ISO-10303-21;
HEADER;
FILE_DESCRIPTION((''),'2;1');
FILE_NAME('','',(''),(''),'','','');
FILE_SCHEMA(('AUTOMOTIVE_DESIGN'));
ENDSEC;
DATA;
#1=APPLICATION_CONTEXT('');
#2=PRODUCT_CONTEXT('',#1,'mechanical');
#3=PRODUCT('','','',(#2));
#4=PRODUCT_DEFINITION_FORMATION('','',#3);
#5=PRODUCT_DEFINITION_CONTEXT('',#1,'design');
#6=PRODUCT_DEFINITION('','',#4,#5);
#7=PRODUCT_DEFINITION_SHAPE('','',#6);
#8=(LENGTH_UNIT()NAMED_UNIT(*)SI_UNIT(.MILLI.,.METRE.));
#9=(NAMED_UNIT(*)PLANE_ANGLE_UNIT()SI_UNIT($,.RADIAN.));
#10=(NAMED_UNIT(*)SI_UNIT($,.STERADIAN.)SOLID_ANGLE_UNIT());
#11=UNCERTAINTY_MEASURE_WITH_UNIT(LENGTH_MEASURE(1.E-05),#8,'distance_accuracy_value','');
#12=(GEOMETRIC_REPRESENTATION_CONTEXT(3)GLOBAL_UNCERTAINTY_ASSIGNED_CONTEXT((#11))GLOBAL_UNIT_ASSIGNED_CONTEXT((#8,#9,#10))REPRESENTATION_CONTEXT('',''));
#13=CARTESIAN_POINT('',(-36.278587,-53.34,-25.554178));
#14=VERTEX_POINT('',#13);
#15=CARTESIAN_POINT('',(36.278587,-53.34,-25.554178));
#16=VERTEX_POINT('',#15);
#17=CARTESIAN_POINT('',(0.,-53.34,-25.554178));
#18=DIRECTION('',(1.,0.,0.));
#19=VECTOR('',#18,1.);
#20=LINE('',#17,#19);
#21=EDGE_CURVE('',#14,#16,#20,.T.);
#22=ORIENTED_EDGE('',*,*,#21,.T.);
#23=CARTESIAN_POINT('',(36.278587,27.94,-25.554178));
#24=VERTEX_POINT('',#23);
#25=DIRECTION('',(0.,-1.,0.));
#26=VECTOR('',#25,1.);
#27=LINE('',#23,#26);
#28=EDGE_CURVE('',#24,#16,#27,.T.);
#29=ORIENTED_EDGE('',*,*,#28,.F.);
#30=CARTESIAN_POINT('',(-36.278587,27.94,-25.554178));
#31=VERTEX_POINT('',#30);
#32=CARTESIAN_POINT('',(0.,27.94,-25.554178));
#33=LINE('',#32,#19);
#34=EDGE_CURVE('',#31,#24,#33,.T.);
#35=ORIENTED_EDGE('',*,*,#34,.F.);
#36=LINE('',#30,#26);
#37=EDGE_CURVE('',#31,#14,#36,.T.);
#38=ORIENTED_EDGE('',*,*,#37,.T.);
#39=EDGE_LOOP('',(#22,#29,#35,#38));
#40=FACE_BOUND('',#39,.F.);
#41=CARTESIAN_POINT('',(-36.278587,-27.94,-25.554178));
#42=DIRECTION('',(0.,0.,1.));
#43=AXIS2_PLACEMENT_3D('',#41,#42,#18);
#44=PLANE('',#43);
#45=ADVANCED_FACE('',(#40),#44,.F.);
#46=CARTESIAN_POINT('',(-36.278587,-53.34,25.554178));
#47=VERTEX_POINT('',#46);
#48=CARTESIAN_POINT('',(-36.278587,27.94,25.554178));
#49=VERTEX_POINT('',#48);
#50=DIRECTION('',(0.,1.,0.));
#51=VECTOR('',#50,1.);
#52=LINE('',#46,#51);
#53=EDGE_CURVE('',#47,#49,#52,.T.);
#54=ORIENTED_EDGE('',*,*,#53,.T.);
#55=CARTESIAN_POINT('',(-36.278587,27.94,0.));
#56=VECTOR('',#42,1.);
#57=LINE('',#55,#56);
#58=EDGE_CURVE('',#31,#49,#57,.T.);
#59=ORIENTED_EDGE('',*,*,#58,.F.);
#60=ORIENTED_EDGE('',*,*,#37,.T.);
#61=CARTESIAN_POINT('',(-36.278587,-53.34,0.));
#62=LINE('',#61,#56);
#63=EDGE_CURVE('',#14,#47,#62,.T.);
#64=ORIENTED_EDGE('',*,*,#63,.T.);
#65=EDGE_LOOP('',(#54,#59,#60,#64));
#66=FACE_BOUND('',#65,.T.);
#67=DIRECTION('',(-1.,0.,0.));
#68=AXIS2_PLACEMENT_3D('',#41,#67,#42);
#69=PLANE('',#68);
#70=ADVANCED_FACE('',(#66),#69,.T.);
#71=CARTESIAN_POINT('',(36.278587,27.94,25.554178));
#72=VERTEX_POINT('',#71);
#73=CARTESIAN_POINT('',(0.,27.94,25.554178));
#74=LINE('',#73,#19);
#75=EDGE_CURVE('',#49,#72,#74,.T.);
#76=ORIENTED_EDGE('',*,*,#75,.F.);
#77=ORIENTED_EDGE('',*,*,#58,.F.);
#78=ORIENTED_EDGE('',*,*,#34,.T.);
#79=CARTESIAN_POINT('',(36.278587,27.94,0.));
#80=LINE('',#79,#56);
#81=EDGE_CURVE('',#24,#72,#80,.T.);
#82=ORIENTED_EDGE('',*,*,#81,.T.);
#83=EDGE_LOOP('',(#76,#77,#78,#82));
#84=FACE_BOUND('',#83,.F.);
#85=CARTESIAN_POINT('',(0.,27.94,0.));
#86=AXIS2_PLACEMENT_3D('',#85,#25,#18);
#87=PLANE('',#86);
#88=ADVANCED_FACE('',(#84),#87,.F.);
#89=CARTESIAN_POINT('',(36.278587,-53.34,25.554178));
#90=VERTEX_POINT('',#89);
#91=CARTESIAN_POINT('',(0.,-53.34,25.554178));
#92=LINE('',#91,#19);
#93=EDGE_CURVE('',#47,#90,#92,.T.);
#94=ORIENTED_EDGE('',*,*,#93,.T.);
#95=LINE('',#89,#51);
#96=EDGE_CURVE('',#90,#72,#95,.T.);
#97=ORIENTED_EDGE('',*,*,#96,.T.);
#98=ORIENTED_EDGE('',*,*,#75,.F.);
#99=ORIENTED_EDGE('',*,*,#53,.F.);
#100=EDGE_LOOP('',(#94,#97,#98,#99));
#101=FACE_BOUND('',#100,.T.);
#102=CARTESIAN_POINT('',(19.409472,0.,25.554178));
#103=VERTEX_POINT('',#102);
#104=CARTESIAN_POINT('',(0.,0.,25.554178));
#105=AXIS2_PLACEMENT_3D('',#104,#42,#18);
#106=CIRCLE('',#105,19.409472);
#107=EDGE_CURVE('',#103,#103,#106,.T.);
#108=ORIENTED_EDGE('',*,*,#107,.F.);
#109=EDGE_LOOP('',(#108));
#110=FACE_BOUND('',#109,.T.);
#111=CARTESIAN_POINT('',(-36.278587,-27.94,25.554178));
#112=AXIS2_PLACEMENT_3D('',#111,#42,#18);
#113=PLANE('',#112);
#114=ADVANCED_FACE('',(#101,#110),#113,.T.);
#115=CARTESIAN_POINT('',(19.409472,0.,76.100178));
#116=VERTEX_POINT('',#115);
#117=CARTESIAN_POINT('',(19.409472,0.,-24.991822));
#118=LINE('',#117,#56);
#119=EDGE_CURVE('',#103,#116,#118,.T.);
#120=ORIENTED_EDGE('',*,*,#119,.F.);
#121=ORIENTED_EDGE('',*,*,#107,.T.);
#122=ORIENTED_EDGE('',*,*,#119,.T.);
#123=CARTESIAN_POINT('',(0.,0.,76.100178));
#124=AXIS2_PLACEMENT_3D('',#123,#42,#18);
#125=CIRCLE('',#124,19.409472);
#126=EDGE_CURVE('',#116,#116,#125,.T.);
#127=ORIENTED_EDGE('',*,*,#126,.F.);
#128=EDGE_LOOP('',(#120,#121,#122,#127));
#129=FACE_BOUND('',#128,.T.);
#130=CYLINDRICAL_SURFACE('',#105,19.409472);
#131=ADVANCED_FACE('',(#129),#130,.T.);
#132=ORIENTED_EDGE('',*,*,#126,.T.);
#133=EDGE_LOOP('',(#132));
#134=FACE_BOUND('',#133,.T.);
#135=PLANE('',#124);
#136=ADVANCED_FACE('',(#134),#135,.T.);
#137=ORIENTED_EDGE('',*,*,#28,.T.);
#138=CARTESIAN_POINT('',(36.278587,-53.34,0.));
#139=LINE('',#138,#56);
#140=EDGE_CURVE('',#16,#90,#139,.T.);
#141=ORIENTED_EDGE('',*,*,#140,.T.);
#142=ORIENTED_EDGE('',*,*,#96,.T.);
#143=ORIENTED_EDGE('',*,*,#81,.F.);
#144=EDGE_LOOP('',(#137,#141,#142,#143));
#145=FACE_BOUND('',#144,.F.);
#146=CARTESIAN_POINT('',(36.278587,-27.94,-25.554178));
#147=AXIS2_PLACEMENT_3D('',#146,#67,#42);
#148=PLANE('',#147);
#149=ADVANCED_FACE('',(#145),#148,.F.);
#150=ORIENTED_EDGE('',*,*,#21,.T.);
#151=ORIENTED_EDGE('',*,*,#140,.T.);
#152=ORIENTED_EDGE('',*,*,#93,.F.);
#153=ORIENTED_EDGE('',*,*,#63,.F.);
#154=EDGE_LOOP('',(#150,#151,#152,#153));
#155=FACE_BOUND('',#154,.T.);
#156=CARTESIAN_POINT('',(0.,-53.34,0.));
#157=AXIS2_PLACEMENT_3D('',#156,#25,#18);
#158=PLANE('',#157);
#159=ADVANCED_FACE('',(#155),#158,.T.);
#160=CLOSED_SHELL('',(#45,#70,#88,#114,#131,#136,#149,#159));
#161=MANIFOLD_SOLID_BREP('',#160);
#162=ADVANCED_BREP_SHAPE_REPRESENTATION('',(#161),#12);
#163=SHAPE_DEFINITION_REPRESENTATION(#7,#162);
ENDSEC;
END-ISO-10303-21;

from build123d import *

# Parameters (mm, degrees)
F0_W     = 72.5571736693
F0_H     = 51.1083565652
F1_DEPTH = 27.94
F2_R     = 19.4094724008
F3_DEPTH = 50.546
F4_DEPTH = 25.4


with BuildPart() as f1:
    # F0 (on Front) → F1 (new body, symmetric)
    with BuildSketch(Plane.XZ):
        Rectangle(F0_W, F0_H)
    extrude(amount=F1_DEPTH, both=True)

    # F2 (on face) → F3 (join, symmetric)
    with BuildSketch(Plane.XY.offset(25.5541782826)):
        Circle(F2_R)
    extrude(amount=F3_DEPTH, both=True)

    # F4 (add): a face of the model
    f4_faces = [f1.faces().sort_by_distance(p)[0] for p in [
        (0, -27.94, 0),
    ]]
    extrude(f4_faces, amount=F4_DEPTH)


solid = f1.part
